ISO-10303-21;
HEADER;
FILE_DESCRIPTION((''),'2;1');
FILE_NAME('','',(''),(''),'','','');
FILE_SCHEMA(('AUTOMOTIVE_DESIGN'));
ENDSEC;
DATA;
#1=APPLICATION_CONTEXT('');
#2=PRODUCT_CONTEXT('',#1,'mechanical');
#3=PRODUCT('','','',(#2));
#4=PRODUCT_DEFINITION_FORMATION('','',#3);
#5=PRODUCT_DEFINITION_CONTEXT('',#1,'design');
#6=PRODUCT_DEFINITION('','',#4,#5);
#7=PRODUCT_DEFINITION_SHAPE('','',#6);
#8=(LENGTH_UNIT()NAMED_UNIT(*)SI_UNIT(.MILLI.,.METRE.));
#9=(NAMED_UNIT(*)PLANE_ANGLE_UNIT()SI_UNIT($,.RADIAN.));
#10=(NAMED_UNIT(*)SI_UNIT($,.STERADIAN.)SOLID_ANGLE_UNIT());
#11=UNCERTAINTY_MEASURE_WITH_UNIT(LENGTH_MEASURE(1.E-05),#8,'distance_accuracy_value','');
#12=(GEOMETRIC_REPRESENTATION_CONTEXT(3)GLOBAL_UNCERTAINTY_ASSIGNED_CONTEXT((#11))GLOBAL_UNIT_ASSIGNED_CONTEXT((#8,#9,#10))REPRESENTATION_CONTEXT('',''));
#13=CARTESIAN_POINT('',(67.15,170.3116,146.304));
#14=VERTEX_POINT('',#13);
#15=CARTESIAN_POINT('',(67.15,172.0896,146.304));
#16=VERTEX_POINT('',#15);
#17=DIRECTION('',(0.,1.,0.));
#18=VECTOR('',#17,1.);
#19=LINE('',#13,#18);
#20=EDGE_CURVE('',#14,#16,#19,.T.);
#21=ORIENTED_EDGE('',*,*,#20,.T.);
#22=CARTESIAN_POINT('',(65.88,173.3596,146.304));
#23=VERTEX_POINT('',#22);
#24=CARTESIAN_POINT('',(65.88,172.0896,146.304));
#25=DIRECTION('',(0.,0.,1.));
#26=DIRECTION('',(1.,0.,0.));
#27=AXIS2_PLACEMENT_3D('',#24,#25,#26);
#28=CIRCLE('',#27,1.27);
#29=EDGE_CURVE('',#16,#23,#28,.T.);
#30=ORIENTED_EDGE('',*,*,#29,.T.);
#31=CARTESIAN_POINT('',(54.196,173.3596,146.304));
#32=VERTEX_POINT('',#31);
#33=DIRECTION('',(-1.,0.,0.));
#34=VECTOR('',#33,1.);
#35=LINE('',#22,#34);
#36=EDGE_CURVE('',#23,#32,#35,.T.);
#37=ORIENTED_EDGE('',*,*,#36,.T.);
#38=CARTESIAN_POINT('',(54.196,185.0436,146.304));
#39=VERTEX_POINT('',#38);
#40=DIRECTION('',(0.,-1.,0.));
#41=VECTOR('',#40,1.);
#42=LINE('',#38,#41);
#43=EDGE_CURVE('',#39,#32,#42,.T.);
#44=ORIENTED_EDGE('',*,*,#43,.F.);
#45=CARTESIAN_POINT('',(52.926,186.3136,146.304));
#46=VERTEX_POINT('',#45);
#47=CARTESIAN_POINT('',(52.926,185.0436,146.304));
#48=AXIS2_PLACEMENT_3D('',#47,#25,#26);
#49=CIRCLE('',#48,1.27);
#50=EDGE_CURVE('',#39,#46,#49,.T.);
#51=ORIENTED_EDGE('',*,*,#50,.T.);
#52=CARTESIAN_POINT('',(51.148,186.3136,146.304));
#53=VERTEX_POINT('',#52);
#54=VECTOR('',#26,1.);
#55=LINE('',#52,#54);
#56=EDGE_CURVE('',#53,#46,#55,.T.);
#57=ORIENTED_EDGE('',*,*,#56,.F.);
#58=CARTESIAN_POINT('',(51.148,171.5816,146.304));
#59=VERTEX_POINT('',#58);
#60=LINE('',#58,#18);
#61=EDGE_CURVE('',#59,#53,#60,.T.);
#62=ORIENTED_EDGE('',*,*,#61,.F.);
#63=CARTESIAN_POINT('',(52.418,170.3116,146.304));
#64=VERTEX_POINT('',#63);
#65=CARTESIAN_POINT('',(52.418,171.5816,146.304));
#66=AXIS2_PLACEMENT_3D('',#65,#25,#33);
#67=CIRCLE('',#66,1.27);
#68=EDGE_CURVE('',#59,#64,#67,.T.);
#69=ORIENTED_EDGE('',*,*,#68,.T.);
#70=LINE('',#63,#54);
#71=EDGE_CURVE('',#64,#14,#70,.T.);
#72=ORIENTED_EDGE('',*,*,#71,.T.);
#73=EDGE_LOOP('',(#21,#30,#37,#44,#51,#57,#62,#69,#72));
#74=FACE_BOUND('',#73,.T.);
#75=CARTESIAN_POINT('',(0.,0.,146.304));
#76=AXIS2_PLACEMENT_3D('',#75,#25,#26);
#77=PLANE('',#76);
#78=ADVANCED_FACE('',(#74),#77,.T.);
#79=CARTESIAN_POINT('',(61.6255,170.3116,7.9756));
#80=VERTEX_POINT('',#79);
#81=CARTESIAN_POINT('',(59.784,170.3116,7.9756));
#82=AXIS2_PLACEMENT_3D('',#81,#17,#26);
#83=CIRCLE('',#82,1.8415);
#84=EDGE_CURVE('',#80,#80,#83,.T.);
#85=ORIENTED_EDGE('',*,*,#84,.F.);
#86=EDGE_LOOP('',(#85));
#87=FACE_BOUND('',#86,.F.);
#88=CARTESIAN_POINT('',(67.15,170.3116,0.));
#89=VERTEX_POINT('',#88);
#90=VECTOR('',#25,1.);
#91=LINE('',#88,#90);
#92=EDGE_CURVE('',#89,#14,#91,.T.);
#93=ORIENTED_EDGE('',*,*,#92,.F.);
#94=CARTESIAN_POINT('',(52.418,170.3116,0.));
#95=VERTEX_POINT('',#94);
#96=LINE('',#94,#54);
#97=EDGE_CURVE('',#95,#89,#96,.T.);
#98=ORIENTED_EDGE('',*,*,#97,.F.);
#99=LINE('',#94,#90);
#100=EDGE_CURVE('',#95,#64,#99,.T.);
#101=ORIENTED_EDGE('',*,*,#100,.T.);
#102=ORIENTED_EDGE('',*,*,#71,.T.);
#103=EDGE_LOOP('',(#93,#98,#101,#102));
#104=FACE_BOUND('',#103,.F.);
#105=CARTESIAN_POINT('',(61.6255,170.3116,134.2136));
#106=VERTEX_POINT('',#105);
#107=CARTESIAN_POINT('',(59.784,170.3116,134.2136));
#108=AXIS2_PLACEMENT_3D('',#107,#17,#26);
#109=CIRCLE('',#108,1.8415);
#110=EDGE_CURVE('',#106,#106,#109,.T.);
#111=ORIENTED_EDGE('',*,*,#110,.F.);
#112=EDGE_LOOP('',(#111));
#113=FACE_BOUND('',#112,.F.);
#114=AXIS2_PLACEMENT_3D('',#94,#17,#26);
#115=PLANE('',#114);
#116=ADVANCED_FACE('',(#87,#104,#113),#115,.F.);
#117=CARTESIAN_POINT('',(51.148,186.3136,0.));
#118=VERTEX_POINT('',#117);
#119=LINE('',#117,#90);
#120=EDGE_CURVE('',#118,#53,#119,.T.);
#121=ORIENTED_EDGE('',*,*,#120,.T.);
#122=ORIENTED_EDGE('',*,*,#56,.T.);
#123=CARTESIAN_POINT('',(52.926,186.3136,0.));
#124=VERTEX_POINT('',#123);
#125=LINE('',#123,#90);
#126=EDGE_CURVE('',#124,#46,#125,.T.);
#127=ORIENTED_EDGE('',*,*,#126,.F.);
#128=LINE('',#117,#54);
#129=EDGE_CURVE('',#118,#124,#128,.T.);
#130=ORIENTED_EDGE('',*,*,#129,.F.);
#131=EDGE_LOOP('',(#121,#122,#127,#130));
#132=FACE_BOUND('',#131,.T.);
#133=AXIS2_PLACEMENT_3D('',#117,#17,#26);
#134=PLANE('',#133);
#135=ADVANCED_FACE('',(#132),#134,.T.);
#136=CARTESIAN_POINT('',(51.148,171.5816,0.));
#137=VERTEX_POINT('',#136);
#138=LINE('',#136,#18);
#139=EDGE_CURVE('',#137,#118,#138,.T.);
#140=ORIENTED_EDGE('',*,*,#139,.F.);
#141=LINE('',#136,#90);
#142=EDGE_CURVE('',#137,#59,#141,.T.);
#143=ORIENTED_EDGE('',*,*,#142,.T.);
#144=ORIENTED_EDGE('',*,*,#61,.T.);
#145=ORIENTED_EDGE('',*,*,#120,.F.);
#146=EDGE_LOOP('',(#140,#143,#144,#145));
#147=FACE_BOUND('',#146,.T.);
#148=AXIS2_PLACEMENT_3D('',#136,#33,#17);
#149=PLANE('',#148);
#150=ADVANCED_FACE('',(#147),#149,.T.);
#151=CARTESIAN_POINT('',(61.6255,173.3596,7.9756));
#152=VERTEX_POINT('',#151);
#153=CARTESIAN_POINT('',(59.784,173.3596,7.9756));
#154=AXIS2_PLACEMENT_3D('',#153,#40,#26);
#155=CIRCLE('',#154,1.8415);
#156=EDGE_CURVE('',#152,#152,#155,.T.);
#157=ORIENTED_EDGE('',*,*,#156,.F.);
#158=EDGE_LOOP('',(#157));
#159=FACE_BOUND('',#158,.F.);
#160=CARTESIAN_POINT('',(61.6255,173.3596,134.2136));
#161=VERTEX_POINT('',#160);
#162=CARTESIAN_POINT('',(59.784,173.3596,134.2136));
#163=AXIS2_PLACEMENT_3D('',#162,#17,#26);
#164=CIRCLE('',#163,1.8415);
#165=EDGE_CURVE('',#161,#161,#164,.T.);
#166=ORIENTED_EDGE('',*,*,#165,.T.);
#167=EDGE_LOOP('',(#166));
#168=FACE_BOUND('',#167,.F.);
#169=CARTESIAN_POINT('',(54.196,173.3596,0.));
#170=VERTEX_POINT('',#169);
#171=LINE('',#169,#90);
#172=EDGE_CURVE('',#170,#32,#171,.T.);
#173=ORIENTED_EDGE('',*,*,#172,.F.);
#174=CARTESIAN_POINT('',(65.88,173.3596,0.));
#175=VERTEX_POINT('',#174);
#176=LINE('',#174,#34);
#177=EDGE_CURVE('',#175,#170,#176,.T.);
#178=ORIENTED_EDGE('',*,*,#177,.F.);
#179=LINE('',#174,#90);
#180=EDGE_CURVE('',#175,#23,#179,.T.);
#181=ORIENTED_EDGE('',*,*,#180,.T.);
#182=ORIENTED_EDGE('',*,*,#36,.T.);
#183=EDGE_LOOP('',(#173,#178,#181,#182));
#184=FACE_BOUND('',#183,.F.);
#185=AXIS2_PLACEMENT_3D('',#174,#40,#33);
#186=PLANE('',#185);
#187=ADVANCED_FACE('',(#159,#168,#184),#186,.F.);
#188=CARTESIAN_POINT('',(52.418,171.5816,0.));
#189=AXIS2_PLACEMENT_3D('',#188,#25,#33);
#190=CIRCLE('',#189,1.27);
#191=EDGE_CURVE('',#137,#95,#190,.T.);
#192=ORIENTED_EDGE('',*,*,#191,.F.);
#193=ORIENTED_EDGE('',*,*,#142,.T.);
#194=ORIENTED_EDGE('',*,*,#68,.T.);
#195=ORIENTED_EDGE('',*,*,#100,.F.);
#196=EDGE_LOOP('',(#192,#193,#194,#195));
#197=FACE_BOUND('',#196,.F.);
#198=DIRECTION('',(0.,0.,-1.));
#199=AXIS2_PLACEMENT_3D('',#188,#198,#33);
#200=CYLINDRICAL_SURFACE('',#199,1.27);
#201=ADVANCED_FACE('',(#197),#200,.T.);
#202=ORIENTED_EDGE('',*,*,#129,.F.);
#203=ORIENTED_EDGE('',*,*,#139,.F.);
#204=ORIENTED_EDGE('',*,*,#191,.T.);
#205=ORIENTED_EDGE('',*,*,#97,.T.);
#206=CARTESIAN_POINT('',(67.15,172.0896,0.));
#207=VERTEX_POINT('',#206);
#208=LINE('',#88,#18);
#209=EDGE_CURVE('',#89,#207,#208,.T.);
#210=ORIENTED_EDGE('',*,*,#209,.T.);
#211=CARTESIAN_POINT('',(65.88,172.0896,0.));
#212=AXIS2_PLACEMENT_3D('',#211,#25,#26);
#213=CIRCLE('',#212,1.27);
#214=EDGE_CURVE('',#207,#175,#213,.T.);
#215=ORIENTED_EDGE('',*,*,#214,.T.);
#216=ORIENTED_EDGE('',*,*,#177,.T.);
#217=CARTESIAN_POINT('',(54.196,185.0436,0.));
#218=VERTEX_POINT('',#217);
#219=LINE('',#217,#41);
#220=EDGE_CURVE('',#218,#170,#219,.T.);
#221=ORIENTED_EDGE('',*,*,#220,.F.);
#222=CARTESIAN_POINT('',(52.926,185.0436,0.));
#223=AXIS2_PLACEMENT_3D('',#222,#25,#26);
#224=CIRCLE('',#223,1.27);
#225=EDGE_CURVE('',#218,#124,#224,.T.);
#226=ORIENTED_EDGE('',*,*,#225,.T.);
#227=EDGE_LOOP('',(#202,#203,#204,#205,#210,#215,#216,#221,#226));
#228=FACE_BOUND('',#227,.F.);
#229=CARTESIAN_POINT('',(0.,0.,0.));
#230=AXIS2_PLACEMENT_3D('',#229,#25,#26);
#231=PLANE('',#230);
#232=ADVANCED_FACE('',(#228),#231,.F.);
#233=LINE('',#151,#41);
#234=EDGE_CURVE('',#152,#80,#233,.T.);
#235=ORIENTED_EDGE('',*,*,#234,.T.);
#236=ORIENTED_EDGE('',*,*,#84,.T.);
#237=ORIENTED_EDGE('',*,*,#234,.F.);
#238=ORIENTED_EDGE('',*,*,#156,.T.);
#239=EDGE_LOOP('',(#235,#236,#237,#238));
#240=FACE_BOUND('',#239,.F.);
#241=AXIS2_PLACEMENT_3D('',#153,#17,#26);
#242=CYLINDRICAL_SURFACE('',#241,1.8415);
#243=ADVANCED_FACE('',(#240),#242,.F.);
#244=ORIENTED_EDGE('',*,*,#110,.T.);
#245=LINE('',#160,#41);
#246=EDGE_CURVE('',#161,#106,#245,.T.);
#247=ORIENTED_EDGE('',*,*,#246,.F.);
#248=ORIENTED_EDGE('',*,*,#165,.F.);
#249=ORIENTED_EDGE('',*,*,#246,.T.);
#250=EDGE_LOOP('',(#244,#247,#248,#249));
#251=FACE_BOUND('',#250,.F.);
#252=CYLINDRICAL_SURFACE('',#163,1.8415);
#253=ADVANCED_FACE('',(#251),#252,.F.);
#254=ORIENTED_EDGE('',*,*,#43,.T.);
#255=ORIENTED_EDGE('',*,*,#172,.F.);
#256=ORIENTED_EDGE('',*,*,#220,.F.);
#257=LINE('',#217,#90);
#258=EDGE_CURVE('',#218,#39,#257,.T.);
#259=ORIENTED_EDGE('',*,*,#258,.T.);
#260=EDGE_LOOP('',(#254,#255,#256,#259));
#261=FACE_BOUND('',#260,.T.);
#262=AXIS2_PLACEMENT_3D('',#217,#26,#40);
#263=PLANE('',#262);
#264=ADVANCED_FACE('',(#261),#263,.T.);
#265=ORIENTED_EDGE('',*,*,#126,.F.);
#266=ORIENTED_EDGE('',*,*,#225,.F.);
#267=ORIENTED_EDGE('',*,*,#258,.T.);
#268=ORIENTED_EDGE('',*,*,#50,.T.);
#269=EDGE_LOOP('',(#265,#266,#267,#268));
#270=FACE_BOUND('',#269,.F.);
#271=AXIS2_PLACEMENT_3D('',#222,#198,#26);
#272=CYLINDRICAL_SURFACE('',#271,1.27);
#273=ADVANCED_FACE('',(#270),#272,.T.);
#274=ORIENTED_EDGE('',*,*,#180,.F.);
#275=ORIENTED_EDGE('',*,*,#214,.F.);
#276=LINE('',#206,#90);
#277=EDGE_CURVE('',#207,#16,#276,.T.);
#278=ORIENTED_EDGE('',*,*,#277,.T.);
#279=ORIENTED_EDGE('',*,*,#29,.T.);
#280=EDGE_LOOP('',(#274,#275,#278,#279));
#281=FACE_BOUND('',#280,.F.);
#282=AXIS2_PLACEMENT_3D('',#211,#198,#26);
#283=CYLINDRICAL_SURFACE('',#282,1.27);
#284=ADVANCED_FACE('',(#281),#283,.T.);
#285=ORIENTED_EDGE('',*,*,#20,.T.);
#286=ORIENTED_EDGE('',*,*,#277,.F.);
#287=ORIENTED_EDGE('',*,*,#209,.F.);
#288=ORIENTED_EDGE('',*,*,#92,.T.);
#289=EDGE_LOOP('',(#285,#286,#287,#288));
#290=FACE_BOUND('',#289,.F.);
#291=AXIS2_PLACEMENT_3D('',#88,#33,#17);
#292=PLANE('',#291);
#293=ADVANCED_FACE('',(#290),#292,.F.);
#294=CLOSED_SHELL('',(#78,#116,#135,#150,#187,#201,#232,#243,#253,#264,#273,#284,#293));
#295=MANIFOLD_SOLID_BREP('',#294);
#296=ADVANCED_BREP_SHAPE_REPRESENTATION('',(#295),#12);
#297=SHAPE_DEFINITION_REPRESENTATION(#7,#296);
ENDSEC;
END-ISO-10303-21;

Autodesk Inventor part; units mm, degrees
ref_plane "YZ Plane" through (0, 0, 0) normal (1, 0, 0) x (0, 1, 0)
ref_plane "XZ Plane" through (0, 0, 0) normal (0, 1, 0) x (-1, 0, 0)
ref_plane "XY Plane" through (0, 0, 0) normal (0, 0, 1) x (1, 0, 0)
sketch "Sketch1" plane through (0, 0, 0) normal (0, 0, 1) x (1, 0, 0)
  line L0 (52.418, 170.3116) -> (67.15, 170.3116)
  line L1 (67.15, 170.3116) -> (67.15, 167.2636)
  line L2 (51.148, 171.5816) -> (51.148, 186.3136)
  line L3 (51.148, 186.3136) -> (52.926, 186.3136)
  line L4 (54.196, 185.0436) -> (54.196, 173.3596)
  line L5 (67.15, 170.3116) -> (67.15, 172.0896)
  line L6 (65.88, 173.3596) -> (54.196, 173.3596)
  arc A0 (54.196, 185.0436) -> (52.926, 186.3136) centre (52.926, 185.0436) ccw
  arc A1 (67.15, 172.0896) -> (65.88, 173.3596) centre (65.88, 172.0896) ccw
  arc A2 (51.148, 171.5816) -> (52.418, 170.3116) centre (52.418, 171.5816) ccw
  point P0 (0, 0)
  point P1 (51.148, 170.3116)
  point P2 (54.196, 186.3136)
  point P3 (67.15, 173.3596)
  dimension "d0" = 16.002
  dimension "d1" = 3.048
  dimension "d2" = 16.002
  dimension "d3" = 3.048
  dimension "d4" = 3.048
  dimension "d5" = 1.27
  dimension "d6" = 1.27
extrude "Extrusion1" add sketch "Sketch1" along normal blind 146.304
sketch "Sketch3" plane through (54.196, 173.3596, 0) normal (0, 1, 0) x (1, 0, 0)
  line L0 (0.9375, 6.2475) -> (13.2819, 6.2475)
  line L1 (12.954, 0) -> (-1.778, 0) projected
  line L2 (5.588, 0) -> (5.588, -6.1341)
  line L3 (-1.778, -146.304) -> (12.954, -146.304) projected
  circle A0 centre (5.588, -7.9756) radius 1.8415
  line L4 (5.588, -7.9756) -> (5.588, -130.5306)
  circle A1 centre (5.588, -134.2136) radius 1.8415
  point P0 (-54.196, 0)
  dimension "d31" = 12.3444
  dimension "d32" = 6.1341
  dimension "d38" = 122.555
extrude "Extrusion6" cut sketch "Sketch3" against normal blind 69.85
